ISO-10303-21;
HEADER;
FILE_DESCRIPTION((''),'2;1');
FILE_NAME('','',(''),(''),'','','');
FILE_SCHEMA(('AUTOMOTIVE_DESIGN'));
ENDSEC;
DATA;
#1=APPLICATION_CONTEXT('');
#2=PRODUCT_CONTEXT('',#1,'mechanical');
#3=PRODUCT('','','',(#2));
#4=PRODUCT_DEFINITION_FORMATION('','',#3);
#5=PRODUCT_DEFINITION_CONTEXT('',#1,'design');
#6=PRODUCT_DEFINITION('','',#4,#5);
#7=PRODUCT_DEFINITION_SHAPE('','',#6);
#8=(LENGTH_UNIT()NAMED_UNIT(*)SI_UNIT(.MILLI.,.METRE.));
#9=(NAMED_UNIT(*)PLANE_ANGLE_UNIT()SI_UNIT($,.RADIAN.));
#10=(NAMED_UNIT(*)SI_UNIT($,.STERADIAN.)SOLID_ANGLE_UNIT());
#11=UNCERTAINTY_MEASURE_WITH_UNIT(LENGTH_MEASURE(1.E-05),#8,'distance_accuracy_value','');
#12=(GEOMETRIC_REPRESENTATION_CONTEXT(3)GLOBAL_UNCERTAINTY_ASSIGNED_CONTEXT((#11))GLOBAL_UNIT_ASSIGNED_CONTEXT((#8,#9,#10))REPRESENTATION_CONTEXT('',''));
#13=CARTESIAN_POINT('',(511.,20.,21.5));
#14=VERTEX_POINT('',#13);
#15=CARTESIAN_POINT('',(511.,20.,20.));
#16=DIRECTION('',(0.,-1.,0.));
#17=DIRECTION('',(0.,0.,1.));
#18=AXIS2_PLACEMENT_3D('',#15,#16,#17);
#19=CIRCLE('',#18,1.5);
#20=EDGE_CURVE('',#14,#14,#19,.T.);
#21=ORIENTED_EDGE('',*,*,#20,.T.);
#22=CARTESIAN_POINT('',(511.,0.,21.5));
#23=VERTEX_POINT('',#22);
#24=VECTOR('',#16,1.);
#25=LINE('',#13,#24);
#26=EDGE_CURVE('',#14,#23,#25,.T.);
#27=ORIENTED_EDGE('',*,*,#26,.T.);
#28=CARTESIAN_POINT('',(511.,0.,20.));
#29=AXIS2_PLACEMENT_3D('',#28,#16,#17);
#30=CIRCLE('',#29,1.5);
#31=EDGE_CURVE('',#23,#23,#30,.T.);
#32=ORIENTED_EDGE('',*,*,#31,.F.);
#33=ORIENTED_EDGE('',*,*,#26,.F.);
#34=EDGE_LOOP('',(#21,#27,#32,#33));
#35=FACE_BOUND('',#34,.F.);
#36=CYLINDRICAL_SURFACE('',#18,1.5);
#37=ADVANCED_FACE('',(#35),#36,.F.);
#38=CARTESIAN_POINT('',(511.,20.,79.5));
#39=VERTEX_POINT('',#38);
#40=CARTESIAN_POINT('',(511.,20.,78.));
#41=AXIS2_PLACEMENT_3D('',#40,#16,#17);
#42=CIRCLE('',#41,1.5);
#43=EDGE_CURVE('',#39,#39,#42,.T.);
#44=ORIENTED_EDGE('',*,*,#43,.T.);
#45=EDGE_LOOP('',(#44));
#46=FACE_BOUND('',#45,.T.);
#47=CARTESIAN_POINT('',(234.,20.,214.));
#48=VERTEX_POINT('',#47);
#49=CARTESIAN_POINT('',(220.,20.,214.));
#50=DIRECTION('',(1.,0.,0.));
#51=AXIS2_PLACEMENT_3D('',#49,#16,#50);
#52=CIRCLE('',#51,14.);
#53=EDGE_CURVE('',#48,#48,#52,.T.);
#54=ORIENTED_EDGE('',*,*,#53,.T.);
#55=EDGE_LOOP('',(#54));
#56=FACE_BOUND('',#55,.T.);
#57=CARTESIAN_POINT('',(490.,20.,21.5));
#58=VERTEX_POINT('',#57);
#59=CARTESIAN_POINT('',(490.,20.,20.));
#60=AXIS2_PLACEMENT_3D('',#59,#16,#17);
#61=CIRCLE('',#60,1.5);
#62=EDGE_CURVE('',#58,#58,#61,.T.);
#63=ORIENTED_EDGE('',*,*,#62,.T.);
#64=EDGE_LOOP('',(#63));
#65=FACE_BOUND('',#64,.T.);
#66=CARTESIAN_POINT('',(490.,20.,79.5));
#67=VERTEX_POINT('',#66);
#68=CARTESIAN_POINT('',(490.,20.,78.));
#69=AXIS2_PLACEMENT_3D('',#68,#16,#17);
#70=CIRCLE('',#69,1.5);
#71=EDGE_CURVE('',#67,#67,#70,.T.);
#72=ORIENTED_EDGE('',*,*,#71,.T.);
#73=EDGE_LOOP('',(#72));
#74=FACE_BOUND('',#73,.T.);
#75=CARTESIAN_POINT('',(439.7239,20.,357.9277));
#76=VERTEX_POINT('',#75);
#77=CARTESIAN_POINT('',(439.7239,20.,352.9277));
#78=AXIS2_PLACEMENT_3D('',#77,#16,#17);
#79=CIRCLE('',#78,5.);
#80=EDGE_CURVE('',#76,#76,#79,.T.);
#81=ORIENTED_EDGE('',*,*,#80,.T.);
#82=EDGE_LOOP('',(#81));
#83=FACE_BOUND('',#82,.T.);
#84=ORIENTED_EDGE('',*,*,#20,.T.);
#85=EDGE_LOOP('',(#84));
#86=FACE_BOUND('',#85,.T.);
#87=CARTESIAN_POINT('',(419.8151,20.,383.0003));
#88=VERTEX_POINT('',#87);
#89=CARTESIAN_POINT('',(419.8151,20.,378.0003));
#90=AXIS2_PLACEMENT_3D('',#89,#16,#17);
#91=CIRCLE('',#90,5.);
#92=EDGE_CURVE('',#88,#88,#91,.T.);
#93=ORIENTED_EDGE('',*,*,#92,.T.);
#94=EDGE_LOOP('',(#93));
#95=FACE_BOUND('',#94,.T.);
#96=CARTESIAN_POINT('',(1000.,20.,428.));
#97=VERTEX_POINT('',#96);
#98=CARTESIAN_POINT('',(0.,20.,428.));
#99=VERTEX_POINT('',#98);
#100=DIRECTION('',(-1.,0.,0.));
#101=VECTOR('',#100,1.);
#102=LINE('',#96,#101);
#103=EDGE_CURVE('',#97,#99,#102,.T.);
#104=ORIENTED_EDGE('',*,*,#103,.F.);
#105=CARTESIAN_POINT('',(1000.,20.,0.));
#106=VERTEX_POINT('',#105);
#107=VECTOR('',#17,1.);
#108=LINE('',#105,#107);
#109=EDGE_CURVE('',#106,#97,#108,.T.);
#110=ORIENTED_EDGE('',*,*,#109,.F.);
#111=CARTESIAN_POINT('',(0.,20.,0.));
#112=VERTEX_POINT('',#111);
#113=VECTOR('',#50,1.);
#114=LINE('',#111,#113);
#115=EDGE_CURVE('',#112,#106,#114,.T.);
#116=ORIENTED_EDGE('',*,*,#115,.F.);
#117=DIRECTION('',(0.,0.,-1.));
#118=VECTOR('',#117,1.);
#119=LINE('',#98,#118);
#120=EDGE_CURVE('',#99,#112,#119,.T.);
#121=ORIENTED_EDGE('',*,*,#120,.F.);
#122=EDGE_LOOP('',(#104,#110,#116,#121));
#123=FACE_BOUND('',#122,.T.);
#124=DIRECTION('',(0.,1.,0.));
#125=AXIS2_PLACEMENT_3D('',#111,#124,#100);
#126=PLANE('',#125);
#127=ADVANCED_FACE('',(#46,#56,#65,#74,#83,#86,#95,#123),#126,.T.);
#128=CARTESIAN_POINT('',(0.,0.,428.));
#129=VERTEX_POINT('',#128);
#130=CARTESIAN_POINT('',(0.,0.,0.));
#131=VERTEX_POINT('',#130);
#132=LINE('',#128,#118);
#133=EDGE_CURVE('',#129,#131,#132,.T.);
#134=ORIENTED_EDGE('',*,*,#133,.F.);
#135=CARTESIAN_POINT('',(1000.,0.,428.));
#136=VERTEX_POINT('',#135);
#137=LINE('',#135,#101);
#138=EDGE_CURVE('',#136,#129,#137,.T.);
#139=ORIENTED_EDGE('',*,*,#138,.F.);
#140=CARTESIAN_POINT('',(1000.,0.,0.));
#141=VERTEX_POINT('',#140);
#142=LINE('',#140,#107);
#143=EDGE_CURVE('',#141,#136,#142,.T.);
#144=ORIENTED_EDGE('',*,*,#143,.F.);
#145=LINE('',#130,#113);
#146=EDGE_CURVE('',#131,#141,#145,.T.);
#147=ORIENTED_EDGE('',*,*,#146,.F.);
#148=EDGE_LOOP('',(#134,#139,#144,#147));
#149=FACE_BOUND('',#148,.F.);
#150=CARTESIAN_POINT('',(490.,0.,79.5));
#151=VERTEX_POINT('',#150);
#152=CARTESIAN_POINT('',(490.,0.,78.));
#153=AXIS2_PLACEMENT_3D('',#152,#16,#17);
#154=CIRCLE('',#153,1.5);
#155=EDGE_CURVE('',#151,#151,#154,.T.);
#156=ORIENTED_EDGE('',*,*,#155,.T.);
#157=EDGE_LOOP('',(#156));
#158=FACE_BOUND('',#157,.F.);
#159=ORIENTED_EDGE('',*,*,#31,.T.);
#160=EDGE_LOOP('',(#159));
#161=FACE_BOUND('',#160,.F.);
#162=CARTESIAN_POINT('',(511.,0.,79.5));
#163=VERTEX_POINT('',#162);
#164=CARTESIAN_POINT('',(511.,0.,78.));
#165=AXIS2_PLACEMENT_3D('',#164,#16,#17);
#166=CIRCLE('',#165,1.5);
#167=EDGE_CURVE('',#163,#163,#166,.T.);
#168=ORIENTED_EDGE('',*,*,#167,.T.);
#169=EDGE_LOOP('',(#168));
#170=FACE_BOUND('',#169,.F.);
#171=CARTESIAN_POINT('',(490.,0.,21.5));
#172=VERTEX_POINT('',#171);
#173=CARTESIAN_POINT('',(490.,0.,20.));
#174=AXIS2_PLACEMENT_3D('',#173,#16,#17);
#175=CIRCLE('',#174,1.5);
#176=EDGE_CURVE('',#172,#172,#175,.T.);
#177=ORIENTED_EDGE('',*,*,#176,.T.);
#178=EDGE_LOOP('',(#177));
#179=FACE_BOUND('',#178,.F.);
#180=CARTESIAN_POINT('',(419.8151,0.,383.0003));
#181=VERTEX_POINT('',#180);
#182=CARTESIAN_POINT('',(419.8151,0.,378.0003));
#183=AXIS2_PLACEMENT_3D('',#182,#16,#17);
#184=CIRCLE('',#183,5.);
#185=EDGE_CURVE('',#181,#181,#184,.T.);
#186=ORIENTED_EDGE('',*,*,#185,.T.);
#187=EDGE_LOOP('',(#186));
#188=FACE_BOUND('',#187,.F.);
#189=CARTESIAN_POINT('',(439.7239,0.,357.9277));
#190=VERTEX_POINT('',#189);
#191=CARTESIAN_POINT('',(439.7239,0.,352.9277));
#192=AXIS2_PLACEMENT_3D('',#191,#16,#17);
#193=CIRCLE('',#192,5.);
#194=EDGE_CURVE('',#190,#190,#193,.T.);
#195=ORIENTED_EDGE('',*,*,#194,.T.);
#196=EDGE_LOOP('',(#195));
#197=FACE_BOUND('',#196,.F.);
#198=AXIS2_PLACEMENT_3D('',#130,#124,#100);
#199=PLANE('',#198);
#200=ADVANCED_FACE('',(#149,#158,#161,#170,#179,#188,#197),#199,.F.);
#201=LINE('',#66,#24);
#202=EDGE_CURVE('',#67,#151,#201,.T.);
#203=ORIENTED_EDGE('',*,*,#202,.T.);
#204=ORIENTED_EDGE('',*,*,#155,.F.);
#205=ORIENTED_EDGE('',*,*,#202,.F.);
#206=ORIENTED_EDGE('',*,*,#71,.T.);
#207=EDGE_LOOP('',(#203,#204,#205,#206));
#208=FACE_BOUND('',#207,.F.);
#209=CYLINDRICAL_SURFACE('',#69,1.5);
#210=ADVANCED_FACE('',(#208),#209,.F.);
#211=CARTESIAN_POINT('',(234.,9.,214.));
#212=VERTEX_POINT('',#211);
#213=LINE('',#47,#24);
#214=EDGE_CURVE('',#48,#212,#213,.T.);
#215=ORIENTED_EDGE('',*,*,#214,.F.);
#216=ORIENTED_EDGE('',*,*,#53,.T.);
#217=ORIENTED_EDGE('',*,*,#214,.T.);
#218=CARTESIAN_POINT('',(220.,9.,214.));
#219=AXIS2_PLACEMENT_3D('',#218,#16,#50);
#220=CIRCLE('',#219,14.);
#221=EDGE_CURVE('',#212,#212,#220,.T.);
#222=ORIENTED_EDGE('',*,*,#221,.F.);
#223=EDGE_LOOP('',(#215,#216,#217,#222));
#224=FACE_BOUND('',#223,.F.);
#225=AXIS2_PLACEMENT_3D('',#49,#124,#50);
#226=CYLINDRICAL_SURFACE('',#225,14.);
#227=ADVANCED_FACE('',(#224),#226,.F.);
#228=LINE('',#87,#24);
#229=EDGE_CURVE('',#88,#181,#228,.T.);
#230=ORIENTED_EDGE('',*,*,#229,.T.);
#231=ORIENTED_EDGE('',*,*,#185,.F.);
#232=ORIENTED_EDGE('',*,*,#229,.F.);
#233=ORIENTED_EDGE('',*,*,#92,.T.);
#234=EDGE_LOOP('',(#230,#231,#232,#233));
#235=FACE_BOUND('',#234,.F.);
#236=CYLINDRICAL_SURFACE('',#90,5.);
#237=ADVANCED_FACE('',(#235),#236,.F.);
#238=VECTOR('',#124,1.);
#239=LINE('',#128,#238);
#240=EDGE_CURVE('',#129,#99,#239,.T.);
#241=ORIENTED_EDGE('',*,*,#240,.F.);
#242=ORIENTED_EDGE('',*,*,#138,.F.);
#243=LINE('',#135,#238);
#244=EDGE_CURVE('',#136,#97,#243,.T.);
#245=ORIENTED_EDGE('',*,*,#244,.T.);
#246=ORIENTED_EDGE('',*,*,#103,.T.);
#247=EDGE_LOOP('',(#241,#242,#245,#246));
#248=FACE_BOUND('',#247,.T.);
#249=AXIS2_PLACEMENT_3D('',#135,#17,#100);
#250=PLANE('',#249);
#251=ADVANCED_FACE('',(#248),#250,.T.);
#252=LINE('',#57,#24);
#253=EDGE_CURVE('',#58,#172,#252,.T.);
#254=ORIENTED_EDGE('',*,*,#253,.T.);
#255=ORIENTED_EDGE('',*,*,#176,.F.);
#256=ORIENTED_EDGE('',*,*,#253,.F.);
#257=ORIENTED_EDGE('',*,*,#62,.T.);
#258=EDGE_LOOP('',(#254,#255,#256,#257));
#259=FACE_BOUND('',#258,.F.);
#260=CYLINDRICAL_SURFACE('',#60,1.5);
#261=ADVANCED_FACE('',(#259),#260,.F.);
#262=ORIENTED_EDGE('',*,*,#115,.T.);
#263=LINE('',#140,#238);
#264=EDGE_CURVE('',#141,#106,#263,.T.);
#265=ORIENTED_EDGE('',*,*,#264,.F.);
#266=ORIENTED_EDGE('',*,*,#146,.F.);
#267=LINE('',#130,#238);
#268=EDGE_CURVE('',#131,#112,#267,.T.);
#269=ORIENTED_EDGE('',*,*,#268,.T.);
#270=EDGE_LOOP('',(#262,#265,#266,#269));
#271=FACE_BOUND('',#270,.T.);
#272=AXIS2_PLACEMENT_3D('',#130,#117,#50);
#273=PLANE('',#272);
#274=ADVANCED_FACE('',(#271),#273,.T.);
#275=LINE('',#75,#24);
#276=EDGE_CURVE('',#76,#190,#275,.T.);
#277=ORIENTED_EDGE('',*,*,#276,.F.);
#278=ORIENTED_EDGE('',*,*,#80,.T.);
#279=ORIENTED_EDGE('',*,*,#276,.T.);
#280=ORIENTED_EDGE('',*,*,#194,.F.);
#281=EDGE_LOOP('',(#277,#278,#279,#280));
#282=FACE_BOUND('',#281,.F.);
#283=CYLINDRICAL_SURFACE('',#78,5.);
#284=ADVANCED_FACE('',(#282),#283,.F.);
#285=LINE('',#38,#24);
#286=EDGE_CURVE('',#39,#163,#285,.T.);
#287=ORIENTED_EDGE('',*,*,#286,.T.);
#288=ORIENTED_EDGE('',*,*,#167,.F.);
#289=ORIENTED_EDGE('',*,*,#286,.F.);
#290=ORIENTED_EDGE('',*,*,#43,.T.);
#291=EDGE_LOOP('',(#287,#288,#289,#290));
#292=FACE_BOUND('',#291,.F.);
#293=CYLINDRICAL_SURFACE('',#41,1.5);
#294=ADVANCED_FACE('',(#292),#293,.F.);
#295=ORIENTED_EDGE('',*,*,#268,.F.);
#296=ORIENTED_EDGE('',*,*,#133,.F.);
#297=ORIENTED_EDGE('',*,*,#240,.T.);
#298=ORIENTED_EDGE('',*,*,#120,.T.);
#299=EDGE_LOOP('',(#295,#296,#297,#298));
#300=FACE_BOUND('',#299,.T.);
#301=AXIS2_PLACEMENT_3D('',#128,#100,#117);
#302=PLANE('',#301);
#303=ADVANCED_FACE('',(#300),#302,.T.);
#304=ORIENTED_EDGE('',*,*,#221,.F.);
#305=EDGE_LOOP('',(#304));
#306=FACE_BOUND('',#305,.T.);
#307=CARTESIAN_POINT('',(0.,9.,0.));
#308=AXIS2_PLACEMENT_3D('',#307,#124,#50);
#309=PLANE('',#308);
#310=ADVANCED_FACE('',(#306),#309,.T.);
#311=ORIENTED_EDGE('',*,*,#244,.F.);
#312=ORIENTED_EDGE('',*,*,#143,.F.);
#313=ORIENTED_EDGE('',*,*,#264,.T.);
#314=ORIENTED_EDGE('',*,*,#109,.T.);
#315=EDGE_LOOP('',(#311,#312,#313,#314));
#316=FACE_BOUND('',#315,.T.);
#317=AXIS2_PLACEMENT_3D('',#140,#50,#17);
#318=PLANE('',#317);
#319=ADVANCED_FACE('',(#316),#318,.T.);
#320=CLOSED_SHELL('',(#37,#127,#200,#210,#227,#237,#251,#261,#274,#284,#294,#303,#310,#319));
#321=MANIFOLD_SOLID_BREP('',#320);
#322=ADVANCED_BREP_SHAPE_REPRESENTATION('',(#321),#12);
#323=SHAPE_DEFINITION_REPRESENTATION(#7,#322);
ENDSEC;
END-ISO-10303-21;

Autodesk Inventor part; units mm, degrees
ref_plane "YZ Plane" through (0, 0, 0) normal (1, 0, 0) x (0, 1, 0)
ref_plane "XZ Plane" through (0, 0, 0) normal (0, 1, 0) x (-1, 0, 0)
ref_plane "XY Plane" through (0, 0, 0) normal (0, 0, 1) x (1, 0, 0)
sketch "Skizze1" plane through (0, 0, 0) normal (0, 1, 0) x (-1, 0, 0)
  line L0 (0, 0) -> (-1000, 0)
  line L1 (-1000, 0) -> (-1000, 428)
  line L2 (-1000, 428) -> (0, 428)
  line L3 (0, 428) -> (0, 0)
  dimension "d0" = 1000
  dimension "d1" = 428
extrude "Extrusion1" add sketch "Skizze1" along normal blind 20
sketch "Skizze2" plane through (0, 20, 0) normal (0, 1, 0) x (1, 0, 0)
  line L0 (0, 0) -> (0, -428) projected
  line L1 (0, -428) -> (220, -428)
  line L2 (220, -428) -> (220, -214)
  circle A0 centre (220, -214) radius 14
  dimension "d4" = 220
  dimension "d5" = 214
  dimension "d6" = 28
extrude "Extrusion2" cut sketch "Skizze2" against normal blind 11
sketch "Skizze3" plane through (0, 20, 0) normal (0, 1, 0) x (1, 0, 0)
  line L0 (0, -429.5296) -> (419.9972, -428)
  line L1 (0, -428) -> (1000, -428) projected
  line L2 (419.9972, -428) -> (419.8151, -378.0003)
  line L3 (419.8151, -378.0003) -> (439.815, -377.9275)
  line L4 (439.815, -377.9275) -> (439.7239, -352.9277)
  point P0 (0, 0)
  dimension "d9" = 420
  dimension "d10" = 50
  dimension "d11" = 20
  dimension "d12" = 25
hole "Bohrung1" at (419.8151, 20, 378.0003) at (439.7239, 20, 352.9277) direction (0, -1, 0) diameter 10 depth 20 tip angle 118
sketch "Skizze4" plane through (0, 20, 0) normal (0, 1, 0) x (1, 0, 0)
  line L0 (1000, 0) -> (0, 0) projected
  line L1 (0, 0) -> (490, 0)
  line L2 (490, 0) -> (505, 0)
  line L3 (490, 0) -> (490, -15)
  line L4 (490, -15) -> (490, -20)
  circle A0 centre (490, -20) radius 1.5
  line L5 (490, -20) -> (511, -20)
  circle A1 centre (511, -20) radius 1.5
  dimension "d20" = 490
  dimension "d22" = 15
  dimension "d23" = 5
  dimension "d24" = 3
  dimension "d25" = 21
  dimension "d26" = 3
hole "Bohrung2" at (490, 20, 20) at (511, 20, 20) direction (0, -1, 0) diameter 3 end through all
sketch "Skizze5" plane through (0, 20, 0) normal (0, 1, 0) x (1, 0, 0)
  circle A0 centre (490, -20) radius 1.5 projected
  line L0 (490, -20) -> (490, -78)
  circle A1 centre (511, -20) radius 1.5 projected
  line L1 (511, -20) -> (511, -78)
  point P0 (0, 0)
  dimension "d34" = 58
  dimension "d35" = 58
hole "Bohrung3" at (511, 20, 78) at (490, 20, 78) direction (0, -1, 0) diameter 3 end through all
properties part number "Grundplatte" material "Holz (Birke)"
